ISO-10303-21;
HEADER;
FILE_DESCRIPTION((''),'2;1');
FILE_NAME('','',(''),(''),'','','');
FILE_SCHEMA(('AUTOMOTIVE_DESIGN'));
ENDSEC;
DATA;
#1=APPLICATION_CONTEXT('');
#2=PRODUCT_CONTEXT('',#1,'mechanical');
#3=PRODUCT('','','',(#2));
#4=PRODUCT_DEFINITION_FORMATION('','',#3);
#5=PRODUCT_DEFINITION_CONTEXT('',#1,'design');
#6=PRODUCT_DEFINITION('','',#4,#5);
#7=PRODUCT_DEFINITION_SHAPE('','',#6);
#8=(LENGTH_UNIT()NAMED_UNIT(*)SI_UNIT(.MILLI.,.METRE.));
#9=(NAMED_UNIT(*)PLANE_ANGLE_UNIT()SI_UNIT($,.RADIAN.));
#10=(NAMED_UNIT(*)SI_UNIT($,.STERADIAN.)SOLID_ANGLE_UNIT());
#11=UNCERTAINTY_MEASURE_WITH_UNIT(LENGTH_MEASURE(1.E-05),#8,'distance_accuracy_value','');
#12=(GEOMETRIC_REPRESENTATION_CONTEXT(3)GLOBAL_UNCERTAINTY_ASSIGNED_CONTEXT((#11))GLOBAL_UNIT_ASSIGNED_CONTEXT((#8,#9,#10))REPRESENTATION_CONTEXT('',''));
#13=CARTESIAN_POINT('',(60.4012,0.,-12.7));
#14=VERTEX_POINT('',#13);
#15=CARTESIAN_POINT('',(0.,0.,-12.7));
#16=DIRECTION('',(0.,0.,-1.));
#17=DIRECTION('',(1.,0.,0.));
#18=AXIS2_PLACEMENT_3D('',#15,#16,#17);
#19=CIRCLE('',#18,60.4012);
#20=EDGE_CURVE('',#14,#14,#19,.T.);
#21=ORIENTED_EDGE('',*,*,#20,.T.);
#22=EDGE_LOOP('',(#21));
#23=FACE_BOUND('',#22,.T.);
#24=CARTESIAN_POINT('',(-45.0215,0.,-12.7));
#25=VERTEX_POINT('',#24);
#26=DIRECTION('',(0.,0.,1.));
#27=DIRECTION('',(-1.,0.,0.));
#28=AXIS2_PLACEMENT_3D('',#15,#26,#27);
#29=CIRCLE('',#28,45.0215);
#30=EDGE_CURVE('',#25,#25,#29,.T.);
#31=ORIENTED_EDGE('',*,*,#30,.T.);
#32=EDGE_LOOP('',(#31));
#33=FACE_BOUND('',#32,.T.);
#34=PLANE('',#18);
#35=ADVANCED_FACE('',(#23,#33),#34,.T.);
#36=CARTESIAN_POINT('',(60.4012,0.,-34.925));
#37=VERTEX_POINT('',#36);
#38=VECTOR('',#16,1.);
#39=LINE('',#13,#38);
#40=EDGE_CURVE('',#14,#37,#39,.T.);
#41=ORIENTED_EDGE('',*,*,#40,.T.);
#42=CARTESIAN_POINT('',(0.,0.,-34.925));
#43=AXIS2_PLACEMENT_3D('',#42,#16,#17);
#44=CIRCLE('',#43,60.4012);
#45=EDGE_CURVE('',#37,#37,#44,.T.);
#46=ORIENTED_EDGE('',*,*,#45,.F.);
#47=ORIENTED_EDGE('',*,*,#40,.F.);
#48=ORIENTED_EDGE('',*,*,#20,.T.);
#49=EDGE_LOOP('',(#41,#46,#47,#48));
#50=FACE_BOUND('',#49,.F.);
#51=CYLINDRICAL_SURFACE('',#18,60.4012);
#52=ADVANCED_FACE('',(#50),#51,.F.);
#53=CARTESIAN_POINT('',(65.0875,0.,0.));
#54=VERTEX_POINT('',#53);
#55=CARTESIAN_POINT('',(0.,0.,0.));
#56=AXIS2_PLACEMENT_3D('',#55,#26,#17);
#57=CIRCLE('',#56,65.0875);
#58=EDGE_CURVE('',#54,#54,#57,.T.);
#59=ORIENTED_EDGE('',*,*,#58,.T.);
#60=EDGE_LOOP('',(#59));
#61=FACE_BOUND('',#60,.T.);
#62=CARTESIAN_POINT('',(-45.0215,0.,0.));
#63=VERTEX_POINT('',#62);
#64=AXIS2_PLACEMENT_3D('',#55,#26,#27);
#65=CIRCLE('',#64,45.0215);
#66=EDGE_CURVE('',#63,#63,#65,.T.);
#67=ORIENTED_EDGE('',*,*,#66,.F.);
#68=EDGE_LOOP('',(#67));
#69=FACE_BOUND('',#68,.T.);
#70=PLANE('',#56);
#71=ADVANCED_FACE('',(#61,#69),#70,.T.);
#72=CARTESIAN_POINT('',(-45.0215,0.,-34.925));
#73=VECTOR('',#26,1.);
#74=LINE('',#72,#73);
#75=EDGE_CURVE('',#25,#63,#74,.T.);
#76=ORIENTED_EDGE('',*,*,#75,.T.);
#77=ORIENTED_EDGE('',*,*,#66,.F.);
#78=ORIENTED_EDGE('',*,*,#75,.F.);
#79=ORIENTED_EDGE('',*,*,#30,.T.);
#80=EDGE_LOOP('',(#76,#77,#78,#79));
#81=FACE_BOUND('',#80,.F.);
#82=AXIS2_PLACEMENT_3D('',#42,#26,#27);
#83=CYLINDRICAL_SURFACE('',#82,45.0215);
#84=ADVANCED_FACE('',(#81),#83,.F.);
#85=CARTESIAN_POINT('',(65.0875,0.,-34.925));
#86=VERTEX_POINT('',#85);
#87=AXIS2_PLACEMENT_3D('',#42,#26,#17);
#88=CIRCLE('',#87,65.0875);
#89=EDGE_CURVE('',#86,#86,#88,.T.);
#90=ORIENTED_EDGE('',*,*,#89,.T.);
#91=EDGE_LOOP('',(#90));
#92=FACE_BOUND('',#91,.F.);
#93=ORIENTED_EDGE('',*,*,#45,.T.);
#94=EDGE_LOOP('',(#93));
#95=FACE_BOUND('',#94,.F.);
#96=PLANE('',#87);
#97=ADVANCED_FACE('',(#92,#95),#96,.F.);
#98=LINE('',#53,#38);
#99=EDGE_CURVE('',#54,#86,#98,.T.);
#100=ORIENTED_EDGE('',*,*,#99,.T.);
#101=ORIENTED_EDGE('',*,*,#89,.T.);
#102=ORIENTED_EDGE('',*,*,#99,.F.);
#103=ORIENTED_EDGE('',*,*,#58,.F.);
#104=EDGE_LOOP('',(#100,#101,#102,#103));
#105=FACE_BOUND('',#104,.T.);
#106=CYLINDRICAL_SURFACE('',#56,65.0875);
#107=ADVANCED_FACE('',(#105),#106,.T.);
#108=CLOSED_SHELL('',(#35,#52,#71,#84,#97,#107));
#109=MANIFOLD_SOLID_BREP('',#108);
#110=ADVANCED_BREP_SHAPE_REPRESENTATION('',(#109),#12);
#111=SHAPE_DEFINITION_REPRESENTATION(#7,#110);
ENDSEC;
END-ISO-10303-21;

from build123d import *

# Parameters (mm, degrees)
F0_R           = 65.0875
F1_DEPTH       = 34.925
F3_D           = 90.043
F3_DEPTH       = 34.925
F3_CBORE_D     = 120.8024
F3_CBORE_DEPTH = 22.225


with BuildPart() as f1:
    # F0 (on Top) → F1 (new body)
    with BuildSketch(Plane.XY):
        Circle(F0_R)
    extrude(amount=-F1_DEPTH)

    # F3
    with Locations(Plane(origin=(0, 0, -34.925), x_dir=(1, 0, 0), z_dir=(0, 0, -1))):
        with Locations((0, 0)):
            CounterBoreHole(F3_D / 2, F3_CBORE_D / 2, F3_CBORE_DEPTH, depth=F3_DEPTH)


solid = f1.part
